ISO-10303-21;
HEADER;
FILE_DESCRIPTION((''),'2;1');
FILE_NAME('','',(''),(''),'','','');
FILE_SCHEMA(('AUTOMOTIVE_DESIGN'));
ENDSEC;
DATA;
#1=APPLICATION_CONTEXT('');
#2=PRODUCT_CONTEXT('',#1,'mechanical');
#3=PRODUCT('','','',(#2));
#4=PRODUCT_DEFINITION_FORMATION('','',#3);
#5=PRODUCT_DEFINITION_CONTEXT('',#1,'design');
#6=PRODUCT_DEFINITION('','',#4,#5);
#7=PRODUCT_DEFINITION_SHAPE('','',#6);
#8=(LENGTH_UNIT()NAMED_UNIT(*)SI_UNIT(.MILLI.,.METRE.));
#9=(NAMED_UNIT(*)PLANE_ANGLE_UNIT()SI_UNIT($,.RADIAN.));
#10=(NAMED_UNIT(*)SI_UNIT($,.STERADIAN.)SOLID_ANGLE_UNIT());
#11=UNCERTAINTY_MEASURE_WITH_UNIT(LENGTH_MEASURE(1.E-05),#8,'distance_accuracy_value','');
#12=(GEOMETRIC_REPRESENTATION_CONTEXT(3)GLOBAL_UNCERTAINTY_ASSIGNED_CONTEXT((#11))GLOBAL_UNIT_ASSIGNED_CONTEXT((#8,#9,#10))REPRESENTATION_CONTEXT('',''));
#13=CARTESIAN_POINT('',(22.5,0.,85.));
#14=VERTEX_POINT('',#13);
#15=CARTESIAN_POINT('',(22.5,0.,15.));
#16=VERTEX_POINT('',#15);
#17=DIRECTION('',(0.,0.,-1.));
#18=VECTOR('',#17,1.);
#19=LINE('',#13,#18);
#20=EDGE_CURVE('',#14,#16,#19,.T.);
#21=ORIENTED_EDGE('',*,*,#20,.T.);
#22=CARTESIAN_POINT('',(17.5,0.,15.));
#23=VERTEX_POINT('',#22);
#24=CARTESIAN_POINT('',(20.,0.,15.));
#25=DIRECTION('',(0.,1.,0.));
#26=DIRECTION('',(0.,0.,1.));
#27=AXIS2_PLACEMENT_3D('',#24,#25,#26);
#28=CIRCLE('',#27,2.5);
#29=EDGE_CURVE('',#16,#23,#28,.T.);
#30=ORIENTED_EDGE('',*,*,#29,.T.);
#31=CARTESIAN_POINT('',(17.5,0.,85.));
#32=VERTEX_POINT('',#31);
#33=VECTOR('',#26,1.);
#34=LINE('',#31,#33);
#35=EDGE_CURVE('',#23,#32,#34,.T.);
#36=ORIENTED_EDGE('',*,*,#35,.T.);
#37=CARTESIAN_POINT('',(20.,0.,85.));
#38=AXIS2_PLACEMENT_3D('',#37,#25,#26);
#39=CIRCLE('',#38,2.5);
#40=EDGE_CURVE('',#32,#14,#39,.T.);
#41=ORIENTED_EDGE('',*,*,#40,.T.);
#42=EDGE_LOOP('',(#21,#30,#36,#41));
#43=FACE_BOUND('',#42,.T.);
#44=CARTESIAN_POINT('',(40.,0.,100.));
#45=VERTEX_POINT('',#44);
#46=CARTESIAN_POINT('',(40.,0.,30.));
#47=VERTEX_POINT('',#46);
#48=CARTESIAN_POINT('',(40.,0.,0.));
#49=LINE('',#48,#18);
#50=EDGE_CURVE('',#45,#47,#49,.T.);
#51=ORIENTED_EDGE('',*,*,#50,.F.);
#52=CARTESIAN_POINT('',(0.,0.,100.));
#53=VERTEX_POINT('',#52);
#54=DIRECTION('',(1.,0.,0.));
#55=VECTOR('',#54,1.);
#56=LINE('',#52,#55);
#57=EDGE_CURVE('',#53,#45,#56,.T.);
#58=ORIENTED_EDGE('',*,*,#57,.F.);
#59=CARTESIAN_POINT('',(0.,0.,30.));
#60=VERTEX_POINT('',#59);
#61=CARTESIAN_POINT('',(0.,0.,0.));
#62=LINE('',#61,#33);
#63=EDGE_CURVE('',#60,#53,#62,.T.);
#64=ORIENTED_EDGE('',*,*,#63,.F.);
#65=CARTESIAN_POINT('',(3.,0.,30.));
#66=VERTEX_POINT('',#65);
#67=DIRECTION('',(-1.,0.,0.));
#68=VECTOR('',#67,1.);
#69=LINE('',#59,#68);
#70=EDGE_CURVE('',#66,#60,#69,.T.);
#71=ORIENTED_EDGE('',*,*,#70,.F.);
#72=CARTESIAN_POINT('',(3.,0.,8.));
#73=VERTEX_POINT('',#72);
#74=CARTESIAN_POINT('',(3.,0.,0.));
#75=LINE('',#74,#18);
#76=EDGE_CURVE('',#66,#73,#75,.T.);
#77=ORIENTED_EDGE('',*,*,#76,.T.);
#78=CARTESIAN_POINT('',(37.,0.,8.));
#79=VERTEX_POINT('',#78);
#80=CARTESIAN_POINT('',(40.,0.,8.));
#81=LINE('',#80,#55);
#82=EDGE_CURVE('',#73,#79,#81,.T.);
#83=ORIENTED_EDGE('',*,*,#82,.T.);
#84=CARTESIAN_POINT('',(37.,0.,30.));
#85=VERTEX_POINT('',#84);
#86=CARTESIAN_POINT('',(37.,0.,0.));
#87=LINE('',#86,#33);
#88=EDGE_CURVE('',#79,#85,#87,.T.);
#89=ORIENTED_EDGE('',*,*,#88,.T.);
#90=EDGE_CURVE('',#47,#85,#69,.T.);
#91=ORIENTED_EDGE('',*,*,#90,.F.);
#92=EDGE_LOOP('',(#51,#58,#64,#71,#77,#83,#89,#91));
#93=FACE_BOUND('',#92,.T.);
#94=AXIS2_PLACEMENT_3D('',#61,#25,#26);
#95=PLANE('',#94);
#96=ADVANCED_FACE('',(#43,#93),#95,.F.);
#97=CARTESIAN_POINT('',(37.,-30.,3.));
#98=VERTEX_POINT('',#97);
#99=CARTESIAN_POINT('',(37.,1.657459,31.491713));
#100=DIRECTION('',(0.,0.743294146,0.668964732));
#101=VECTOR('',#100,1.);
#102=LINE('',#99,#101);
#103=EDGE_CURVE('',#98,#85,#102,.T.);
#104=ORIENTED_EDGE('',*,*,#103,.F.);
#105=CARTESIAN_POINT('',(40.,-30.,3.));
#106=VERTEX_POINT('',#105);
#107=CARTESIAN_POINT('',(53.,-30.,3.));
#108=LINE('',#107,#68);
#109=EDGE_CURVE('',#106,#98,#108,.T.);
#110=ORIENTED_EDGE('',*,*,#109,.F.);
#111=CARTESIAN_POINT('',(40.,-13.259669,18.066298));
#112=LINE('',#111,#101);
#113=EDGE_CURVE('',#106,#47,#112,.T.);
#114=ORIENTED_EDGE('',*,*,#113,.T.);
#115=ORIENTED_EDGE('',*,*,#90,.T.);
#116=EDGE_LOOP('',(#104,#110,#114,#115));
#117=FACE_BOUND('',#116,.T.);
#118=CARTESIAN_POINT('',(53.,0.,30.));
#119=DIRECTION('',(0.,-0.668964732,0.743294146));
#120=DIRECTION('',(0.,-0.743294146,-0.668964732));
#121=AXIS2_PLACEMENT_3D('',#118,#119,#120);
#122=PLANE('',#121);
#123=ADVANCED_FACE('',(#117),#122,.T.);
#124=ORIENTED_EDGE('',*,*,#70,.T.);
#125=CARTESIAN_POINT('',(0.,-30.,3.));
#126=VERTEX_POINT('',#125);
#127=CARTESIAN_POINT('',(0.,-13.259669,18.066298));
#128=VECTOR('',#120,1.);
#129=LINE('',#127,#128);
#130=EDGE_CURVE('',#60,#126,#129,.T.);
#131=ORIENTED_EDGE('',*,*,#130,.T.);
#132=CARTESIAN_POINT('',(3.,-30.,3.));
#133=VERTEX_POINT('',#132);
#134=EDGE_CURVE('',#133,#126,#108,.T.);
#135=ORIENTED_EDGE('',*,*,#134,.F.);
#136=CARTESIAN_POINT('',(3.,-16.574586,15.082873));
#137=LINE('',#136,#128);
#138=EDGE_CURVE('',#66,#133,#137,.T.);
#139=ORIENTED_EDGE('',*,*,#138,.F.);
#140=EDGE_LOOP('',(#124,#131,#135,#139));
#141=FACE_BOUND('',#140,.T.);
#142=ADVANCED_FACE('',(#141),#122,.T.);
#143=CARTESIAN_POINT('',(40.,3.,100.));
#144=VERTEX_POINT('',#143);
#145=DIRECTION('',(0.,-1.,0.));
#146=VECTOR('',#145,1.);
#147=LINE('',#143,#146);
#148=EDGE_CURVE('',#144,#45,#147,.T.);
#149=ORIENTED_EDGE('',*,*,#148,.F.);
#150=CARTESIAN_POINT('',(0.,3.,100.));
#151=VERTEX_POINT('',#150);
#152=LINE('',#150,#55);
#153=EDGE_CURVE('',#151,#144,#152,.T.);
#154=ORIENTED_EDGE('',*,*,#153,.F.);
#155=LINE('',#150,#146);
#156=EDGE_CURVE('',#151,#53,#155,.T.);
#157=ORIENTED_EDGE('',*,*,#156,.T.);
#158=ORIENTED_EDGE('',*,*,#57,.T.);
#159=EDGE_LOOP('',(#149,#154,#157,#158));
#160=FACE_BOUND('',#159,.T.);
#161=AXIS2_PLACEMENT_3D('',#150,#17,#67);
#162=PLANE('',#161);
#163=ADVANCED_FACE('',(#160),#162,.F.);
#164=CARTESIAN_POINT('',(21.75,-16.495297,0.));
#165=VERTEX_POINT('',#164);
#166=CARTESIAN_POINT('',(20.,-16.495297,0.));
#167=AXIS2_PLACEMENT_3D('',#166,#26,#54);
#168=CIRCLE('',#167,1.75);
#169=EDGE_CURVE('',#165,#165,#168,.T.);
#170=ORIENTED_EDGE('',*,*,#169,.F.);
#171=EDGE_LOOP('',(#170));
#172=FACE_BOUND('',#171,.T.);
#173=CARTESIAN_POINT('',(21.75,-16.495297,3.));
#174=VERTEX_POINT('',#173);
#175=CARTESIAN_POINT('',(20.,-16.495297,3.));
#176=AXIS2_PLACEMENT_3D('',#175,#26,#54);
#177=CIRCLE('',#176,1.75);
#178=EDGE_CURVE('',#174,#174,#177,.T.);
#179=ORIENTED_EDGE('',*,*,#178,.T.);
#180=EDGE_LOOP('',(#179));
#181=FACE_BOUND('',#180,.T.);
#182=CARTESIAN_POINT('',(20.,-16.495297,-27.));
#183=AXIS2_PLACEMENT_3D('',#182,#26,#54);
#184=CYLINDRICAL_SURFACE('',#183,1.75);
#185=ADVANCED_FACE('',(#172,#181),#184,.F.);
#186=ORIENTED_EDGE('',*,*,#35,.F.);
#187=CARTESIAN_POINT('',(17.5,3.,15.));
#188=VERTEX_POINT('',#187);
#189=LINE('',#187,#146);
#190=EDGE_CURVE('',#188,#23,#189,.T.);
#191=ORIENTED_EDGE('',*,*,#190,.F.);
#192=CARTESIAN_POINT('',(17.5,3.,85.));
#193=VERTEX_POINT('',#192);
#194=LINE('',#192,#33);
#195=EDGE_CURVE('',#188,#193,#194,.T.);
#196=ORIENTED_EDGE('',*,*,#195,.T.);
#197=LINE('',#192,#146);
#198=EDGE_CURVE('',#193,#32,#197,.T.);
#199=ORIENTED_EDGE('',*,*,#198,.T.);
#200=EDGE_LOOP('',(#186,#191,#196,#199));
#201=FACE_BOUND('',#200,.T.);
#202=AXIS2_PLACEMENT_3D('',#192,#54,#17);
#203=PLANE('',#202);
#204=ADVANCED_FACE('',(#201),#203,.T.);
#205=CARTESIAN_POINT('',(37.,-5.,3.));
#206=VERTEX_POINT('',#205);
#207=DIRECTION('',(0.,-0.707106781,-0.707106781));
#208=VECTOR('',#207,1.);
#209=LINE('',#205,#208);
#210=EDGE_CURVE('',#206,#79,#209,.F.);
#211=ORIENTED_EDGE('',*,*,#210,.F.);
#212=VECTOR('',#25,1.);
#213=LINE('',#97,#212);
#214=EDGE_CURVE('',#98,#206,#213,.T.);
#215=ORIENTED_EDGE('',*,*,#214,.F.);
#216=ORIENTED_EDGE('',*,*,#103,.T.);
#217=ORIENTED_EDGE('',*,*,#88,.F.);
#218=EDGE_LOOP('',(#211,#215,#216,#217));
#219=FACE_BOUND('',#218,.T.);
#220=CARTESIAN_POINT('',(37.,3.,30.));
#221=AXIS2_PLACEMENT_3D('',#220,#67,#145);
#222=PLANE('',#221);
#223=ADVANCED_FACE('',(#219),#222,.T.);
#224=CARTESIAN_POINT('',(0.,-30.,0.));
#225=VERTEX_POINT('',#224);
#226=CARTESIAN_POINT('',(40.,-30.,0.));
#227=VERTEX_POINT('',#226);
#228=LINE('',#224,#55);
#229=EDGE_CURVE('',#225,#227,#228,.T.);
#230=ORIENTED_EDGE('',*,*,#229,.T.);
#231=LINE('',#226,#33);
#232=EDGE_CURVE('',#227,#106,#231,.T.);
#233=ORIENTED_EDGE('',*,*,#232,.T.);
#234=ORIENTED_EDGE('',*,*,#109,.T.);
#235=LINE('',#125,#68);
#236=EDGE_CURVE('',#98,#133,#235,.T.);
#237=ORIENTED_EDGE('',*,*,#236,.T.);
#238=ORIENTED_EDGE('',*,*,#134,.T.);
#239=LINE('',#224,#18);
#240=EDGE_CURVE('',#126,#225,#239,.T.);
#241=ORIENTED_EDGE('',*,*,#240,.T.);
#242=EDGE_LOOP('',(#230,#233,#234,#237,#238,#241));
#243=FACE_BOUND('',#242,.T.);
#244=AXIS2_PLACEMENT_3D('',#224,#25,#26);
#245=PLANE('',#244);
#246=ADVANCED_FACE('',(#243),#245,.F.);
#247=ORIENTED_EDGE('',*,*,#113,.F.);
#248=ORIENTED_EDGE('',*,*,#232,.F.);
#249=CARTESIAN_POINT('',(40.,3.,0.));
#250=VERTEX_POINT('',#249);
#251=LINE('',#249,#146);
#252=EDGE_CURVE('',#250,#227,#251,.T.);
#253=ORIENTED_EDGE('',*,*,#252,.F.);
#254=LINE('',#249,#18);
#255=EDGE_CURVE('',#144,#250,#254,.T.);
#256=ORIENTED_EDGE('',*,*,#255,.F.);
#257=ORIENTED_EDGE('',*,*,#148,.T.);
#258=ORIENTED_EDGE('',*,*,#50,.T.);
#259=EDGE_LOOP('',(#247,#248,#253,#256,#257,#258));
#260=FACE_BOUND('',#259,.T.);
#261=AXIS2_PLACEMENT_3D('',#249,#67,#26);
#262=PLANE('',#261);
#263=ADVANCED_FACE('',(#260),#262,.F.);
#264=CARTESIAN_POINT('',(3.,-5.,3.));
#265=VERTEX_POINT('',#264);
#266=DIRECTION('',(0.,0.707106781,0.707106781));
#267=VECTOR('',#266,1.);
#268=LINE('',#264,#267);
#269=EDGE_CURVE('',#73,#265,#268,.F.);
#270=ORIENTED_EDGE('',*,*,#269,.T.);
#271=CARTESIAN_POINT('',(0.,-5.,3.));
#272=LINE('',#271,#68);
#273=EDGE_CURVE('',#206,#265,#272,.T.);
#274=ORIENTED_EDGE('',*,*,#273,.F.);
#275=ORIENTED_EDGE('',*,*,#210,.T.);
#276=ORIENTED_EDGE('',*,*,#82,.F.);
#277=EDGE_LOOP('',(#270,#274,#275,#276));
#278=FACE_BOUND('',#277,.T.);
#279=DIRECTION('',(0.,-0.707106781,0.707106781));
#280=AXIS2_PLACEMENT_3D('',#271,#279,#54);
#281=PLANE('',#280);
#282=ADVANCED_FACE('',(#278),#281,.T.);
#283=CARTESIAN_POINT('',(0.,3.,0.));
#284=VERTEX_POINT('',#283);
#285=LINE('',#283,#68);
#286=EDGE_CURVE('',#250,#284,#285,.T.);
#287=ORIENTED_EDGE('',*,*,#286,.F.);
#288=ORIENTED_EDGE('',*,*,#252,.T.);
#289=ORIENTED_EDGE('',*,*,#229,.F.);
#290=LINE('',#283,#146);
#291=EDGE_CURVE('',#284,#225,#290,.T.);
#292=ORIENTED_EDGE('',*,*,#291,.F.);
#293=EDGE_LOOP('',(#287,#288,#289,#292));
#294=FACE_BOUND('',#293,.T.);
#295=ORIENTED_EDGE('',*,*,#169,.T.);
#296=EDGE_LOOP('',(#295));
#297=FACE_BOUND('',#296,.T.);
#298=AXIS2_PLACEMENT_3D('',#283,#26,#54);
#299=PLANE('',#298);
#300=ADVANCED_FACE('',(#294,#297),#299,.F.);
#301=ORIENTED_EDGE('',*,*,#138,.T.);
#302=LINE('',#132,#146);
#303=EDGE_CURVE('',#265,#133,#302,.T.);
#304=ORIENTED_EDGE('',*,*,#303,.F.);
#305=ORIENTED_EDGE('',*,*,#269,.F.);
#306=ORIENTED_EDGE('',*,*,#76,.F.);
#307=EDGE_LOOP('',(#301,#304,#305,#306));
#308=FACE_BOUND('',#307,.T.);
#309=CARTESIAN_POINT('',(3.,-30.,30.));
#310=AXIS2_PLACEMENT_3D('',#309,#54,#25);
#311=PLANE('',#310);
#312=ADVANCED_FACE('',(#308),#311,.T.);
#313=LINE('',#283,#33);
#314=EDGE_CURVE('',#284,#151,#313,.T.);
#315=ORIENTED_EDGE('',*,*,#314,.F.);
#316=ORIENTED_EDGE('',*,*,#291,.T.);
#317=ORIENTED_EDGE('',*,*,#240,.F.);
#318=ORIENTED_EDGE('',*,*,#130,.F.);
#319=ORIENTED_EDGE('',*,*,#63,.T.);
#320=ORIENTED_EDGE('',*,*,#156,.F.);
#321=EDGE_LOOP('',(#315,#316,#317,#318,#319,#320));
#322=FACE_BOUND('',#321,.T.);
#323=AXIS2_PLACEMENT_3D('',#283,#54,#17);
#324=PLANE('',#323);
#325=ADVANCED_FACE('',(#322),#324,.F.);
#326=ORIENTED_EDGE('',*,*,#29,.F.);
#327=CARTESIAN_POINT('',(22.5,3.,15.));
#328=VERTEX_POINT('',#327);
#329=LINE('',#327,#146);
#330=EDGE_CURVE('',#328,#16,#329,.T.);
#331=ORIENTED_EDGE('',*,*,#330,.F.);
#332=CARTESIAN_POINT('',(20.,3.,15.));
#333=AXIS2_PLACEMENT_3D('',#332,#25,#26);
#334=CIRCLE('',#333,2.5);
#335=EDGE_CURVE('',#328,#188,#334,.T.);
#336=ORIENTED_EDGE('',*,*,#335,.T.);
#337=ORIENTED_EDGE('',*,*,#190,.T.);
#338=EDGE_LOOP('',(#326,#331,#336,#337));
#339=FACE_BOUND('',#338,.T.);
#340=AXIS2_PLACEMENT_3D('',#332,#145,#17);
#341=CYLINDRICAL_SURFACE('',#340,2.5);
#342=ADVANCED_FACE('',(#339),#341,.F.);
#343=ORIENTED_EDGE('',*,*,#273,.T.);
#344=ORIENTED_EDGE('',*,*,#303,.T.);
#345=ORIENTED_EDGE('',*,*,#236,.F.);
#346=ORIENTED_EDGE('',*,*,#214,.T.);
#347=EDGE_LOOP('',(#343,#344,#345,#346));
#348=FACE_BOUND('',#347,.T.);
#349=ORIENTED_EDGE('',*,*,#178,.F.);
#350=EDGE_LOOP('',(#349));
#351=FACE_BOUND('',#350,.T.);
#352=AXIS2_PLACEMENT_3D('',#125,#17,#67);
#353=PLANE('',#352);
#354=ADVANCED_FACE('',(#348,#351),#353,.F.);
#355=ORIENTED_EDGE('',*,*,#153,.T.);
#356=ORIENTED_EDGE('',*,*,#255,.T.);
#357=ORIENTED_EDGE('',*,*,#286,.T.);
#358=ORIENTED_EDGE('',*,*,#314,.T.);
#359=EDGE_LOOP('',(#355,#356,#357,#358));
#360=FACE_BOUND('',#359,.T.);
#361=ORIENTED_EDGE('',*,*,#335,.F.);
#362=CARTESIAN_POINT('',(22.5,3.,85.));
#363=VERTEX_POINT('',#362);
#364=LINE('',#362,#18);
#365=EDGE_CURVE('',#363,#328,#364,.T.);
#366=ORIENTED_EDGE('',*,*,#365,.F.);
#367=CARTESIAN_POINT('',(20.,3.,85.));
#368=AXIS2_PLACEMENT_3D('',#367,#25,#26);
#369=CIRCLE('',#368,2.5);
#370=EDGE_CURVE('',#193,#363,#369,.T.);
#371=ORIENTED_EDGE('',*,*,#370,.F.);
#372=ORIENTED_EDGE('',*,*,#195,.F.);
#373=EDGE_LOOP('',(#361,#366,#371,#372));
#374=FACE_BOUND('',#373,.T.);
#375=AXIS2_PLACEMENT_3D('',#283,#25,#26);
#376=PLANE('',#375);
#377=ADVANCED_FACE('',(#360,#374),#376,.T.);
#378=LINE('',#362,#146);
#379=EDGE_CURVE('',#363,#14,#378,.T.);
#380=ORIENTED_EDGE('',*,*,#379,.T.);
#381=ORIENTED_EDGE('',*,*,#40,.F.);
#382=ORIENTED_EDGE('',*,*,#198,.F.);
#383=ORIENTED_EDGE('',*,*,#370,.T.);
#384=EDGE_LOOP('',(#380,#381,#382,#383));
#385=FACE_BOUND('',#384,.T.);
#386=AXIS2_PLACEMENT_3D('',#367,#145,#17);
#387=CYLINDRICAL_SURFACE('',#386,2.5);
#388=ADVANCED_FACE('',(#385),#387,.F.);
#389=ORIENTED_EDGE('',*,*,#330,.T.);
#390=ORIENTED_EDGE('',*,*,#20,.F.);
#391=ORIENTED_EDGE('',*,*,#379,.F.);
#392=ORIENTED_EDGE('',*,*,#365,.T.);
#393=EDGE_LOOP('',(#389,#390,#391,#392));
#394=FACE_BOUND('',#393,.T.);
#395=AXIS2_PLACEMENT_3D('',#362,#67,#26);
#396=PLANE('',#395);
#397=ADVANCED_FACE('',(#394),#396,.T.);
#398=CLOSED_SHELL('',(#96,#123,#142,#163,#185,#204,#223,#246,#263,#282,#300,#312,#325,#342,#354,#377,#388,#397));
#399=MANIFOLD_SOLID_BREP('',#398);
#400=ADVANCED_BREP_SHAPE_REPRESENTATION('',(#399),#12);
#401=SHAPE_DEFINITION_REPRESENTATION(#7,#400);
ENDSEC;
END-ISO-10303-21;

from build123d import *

# Parameters (mm, degrees)
SKETCH1_W               = 40
SKETCH1_H               = 100
BOSS_EXTRUDE1_DEPTH     = 3
SKETCH2_W               = 40
SKETCH2_H               = 3
BOSS_EXTRUDE2_DEPTH     = 30
CHAMFER1_SIZE           = 5
SKETCH3_W               = 3
SKETCH3_H               = 33
BOSS_EXTRUDE3_DEPTH     = 30
CUT_EXTRUDE1_DEPTH      = 50
CUT_EXTRUDE1_DEPTH_BACK = 30
SKETCH5_R               = 1.75
CUT_EXTRUDE2_DEPTH      = 30


with BuildPart() as part:
    # Sketch1 → Boss-Extrude1 (new body)
    with BuildSketch(Plane(origin=(0, 0, 0), x_dir=(1, 0, 0), z_dir=(0, 1, 0))):
        with Locations((20, -50)):
            Rectangle(SKETCH1_W, SKETCH1_H)
        with BuildLine():
            Line((17.5, -85), (17.5, -15))
            ThreePointArc((17.5, -15), (20, -12.5), (22.5, -15))
            Line((22.5, -15), (22.5, -85))
            ThreePointArc((22.5, -85), (20, -87.5), (17.5, -85))
        make_face(mode=Mode.SUBTRACT)
    extrude(amount=BOSS_EXTRUDE1_DEPTH)

    # Sketch2 → Boss-Extrude2 (add)
    with BuildSketch(Plane.XZ):
        with Locations((20, 1.5)):
            Rectangle(SKETCH2_W, SKETCH2_H)
    extrude(amount=BOSS_EXTRUDE2_DEPTH)

    # Chamfer1
    chamfer1_edges = [part.edges().sort_by_distance(p)[0] for p in [
        (20, 0, 3),
    ]]
    chamfer(chamfer1_edges, length=CHAMFER1_SIZE)

    # Sketch3 → Boss-Extrude3 (add)
    with BuildSketch(Plane(origin=(0, 0, 0), x_dir=(-1, 0, 0), z_dir=(0, 0, -1))):
        with Locations((-1.5, -13.5)):
            Rectangle(SKETCH3_W, SKETCH3_H)
        with Locations((-38.5, -13.5)):
            Rectangle(SKETCH3_W, SKETCH3_H)
    extrude(amount=-BOSS_EXTRUDE3_DEPTH)

    # Sketch4 → Cut-Extrude1 (cut, two sides: drawn at the far end of the back side and taken through both)
    with BuildSketch(Plane(origin=(3, 0, 0), x_dir=(0, 0, -1), z_dir=(1, 0, 0)).offset(-CUT_EXTRUDE1_DEPTH_BACK)):
        Polygon((-30, 0), (-3, -30), (-30, -30), align=None)
    extrude(amount=CUT_EXTRUDE1_DEPTH + CUT_EXTRUDE1_DEPTH_BACK, mode=Mode.SUBTRACT)

    # Sketch5 → Cut-Extrude2 (cut)
    with BuildSketch(Plane.XY.offset(3)):
        with Locations((20, -16.495296504)):
            Circle(SKETCH5_R)
    extrude(amount=-CUT_EXTRUDE2_DEPTH, mode=Mode.SUBTRACT)


solid = part.part
